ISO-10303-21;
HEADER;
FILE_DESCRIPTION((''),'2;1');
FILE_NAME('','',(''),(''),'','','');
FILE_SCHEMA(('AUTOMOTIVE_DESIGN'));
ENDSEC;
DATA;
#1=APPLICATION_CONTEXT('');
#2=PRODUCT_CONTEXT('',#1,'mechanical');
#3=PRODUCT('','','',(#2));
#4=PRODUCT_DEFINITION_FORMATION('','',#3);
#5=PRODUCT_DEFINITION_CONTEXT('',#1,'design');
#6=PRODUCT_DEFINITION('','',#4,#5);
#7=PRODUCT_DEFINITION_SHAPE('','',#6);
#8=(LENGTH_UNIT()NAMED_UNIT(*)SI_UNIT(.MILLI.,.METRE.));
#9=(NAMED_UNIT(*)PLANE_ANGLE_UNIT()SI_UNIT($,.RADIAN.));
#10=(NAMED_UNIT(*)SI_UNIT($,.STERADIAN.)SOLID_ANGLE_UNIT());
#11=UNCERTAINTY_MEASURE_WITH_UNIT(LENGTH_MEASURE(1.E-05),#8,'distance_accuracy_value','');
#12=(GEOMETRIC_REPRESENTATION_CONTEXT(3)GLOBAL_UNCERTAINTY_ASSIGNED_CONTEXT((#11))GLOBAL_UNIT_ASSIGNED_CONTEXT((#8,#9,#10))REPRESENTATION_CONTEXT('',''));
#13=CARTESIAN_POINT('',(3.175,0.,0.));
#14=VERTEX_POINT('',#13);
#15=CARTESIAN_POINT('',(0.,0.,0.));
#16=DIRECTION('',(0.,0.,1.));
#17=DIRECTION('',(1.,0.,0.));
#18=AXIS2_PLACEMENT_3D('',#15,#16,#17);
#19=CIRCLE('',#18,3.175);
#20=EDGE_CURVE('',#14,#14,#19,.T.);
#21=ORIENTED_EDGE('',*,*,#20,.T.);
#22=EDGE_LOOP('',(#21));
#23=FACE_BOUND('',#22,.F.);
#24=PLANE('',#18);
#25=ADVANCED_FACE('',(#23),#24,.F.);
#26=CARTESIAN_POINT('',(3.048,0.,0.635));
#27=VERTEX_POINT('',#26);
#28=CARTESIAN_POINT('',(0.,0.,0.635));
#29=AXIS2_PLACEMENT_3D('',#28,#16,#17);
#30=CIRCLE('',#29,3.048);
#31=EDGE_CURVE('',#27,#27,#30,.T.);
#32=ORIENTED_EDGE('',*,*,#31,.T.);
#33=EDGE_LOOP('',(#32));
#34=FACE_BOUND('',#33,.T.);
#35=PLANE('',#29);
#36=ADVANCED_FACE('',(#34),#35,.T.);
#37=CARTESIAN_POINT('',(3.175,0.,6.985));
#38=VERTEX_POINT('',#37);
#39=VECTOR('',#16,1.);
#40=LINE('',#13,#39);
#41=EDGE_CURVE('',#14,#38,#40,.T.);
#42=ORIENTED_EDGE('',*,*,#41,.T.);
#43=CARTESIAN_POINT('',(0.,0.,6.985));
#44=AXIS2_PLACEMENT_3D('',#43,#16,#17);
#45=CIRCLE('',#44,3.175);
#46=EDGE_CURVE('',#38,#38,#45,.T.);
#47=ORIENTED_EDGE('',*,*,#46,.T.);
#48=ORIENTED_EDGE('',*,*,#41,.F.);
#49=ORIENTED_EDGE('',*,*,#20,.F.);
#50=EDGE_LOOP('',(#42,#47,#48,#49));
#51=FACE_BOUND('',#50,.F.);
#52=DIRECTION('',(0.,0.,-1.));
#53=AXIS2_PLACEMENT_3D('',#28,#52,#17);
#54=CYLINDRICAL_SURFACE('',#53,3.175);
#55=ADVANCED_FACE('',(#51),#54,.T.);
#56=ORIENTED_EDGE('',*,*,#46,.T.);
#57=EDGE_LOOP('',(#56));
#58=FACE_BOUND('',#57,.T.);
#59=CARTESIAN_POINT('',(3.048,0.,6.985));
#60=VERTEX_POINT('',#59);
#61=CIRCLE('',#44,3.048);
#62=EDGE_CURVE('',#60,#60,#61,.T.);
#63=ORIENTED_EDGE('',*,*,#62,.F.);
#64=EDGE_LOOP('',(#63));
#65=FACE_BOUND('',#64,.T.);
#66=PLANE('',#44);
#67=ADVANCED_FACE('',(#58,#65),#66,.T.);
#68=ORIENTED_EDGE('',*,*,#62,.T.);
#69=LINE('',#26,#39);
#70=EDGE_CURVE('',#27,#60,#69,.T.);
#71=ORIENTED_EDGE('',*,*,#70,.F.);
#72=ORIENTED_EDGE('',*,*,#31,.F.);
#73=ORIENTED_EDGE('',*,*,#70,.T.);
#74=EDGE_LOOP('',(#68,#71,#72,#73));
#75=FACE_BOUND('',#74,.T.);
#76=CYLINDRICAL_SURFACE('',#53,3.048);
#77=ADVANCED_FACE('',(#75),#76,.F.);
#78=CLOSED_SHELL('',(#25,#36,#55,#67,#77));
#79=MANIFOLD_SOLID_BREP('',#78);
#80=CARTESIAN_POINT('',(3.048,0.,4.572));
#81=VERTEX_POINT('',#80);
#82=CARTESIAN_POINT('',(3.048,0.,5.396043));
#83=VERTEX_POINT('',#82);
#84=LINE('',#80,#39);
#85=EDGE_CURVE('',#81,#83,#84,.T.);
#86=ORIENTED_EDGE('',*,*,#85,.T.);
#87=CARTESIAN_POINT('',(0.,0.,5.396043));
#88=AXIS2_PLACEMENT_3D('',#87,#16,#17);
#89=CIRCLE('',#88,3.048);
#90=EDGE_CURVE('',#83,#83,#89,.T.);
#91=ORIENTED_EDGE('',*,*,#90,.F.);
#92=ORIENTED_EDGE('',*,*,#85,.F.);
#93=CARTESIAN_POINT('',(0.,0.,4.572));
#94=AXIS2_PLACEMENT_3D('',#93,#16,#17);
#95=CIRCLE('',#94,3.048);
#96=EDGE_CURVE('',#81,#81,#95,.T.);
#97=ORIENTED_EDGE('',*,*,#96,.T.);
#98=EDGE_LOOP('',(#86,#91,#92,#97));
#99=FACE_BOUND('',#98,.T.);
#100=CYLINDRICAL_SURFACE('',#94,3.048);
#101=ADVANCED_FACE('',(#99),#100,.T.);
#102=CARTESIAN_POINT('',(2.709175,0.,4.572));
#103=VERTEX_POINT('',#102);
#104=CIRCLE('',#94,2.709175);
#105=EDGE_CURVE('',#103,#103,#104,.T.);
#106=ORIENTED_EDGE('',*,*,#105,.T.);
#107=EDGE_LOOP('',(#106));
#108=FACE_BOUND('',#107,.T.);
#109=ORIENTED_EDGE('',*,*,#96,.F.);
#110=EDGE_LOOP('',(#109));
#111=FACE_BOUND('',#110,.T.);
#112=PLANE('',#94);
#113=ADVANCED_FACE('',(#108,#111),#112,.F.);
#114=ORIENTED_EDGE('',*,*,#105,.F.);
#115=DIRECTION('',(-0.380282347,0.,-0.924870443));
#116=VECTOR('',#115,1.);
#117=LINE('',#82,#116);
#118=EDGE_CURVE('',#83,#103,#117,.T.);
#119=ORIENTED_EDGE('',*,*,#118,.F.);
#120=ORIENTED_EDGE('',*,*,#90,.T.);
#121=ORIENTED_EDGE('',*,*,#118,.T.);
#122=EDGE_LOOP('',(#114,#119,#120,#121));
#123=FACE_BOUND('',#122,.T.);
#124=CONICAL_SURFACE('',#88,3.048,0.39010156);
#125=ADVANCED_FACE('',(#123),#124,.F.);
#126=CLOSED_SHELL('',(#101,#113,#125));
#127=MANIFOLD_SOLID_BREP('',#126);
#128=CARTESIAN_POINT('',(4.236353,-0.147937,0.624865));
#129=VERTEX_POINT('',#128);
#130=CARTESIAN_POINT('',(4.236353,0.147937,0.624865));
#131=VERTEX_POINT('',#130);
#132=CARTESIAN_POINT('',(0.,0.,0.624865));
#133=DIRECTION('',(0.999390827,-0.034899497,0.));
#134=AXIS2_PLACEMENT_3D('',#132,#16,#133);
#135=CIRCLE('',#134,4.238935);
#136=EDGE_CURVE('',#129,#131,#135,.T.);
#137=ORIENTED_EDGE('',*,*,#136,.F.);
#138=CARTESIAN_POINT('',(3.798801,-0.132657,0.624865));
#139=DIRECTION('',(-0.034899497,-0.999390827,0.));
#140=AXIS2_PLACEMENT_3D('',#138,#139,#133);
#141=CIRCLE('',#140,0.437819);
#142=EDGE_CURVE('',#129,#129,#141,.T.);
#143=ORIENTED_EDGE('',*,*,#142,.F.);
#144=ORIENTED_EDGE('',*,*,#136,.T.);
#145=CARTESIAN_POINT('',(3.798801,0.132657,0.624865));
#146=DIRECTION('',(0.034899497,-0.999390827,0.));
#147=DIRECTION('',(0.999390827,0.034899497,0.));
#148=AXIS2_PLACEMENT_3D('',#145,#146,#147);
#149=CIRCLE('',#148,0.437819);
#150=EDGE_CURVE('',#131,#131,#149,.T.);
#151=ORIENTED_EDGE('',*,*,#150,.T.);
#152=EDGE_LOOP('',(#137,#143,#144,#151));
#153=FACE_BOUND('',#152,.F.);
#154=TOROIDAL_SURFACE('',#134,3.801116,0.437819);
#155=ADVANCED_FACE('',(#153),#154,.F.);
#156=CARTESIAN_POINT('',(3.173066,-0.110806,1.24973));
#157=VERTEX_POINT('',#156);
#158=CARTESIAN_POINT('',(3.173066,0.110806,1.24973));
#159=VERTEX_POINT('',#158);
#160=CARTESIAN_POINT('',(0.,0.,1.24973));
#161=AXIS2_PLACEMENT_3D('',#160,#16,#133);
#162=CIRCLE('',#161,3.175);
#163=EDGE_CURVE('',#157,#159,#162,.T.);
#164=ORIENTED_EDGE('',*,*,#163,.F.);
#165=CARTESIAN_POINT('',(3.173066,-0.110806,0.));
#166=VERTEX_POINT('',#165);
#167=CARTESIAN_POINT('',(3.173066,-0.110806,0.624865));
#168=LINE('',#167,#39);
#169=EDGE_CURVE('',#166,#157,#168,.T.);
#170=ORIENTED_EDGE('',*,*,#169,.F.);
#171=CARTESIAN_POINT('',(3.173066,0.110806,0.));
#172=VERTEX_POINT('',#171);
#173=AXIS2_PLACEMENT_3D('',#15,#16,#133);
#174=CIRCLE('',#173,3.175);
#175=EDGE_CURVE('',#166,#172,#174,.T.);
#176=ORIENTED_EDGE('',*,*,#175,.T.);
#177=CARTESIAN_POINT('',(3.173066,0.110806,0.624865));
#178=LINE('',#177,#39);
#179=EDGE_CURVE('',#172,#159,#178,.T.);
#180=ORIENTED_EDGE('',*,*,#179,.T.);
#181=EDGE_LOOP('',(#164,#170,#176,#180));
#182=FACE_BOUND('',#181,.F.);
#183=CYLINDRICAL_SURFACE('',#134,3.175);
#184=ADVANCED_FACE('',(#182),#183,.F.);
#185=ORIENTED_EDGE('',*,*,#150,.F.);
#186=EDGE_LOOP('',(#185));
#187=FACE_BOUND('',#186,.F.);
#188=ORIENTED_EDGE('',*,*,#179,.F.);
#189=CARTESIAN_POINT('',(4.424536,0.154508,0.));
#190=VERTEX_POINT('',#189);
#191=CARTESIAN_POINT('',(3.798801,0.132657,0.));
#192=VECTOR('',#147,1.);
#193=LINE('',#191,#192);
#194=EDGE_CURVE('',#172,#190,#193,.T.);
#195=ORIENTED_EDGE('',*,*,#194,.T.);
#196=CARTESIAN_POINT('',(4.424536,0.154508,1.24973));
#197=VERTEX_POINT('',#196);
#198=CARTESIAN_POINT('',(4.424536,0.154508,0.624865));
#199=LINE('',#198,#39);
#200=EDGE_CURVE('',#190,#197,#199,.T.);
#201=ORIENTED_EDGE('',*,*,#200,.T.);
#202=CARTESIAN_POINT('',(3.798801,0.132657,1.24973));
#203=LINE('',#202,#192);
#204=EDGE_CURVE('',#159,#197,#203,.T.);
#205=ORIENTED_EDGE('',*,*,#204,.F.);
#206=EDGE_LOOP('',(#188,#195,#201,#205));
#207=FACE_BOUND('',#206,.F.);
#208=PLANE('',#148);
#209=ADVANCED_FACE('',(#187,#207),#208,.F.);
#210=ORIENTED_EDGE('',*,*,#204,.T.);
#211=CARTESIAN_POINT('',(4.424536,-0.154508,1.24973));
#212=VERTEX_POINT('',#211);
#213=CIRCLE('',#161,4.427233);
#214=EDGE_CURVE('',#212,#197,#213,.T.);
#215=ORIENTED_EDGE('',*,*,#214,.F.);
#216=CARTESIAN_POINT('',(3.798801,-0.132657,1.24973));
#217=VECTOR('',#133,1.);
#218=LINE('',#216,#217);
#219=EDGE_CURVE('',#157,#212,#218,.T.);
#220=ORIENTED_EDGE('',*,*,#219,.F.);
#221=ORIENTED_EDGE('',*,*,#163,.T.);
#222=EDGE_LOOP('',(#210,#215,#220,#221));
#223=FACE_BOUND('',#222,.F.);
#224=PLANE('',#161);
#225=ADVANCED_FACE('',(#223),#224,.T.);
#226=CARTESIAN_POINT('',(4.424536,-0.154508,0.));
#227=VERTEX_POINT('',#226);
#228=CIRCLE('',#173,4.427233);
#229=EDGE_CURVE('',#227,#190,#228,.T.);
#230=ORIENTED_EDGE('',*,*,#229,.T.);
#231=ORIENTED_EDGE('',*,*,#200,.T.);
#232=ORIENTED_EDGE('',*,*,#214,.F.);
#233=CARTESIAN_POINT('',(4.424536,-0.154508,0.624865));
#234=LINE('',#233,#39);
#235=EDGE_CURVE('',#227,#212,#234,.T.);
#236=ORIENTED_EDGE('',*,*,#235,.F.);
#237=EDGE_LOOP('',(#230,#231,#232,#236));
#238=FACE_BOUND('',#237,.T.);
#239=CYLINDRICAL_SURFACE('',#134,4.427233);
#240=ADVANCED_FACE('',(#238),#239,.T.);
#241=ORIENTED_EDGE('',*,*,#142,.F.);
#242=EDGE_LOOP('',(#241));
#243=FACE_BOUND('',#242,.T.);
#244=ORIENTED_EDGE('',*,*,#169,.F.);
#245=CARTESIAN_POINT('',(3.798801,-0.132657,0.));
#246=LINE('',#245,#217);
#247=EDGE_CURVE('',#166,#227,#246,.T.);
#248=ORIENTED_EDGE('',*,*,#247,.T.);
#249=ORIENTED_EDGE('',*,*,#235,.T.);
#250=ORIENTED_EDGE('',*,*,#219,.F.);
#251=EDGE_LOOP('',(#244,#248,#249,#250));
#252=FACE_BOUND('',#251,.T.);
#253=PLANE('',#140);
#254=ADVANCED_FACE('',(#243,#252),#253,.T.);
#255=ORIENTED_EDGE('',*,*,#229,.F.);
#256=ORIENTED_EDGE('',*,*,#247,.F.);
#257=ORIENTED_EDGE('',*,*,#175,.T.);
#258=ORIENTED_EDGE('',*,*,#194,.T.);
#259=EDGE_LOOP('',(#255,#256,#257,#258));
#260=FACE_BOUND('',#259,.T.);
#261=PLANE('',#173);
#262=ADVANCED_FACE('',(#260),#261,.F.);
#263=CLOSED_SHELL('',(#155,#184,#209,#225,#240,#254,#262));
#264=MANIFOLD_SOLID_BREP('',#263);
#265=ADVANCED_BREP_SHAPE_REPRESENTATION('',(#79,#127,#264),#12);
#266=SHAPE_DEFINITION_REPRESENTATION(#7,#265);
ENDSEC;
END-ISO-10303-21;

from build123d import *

# Parameters (mm, degrees)
F0_R          = 3.175
F1_DEPTH      = 0.635
F2_R          = 3.175
F2_R_2        = 3.048
F3_DEPTH      = 6.35
F7_W          = 1.2522329904
F7_H          = 1.2497299402
F7_R          = 0.4378185344
F8_ANGLE_BACK = 2
F8_ANGLE      = 4


with BuildPart() as f1:
    # F0 (on Top) → F1 (new body)
    with BuildSketch(Plane.XY):
        Circle(F0_R)
    extrude(amount=F1_DEPTH)

    # F2 (on face) → F3 (join)
    with BuildSketch(Plane.XY.offset(0.635)):
        Circle(F2_R)
        Circle(F2_R_2, mode=Mode.SUBTRACT)
    extrude(amount=F3_DEPTH)


with BuildPart() as f6:
    # F4 (on Front) → F6 (revolve)
    with BuildSketch(Plane.XZ):
        Polygon((3.048, 4.572), (3.048, 5.3960434188), (2.7091750678, 4.572), align=None)
    revolve(axis=Axis((0, 0, 12.5352637842), (0, 0, 1)))


with BuildPart() as f8:
    # F7 (on Front) → F8 (revolve)
    with BuildSketch(Plane.XZ, mode=Mode.PRIVATE) as f8_sk:
        with Locations((3.8011164952, 0.6248649701)):
            Rectangle(F7_W, F7_H)
        with Locations((3.8011164952, 0.6248649701)):
            Circle(F7_R, mode=Mode.SUBTRACT)
    revolve(f8_sk.sketch.rotate(Axis((0, 0, 12.5352637842), (0, 0, 1)), -F8_ANGLE_BACK), axis=Axis((0, 0, 12.5352637842), (0, 0, 1)), revolution_arc=F8_ANGLE)


solid = Compound([f1.part, f6.part, f8.part])
